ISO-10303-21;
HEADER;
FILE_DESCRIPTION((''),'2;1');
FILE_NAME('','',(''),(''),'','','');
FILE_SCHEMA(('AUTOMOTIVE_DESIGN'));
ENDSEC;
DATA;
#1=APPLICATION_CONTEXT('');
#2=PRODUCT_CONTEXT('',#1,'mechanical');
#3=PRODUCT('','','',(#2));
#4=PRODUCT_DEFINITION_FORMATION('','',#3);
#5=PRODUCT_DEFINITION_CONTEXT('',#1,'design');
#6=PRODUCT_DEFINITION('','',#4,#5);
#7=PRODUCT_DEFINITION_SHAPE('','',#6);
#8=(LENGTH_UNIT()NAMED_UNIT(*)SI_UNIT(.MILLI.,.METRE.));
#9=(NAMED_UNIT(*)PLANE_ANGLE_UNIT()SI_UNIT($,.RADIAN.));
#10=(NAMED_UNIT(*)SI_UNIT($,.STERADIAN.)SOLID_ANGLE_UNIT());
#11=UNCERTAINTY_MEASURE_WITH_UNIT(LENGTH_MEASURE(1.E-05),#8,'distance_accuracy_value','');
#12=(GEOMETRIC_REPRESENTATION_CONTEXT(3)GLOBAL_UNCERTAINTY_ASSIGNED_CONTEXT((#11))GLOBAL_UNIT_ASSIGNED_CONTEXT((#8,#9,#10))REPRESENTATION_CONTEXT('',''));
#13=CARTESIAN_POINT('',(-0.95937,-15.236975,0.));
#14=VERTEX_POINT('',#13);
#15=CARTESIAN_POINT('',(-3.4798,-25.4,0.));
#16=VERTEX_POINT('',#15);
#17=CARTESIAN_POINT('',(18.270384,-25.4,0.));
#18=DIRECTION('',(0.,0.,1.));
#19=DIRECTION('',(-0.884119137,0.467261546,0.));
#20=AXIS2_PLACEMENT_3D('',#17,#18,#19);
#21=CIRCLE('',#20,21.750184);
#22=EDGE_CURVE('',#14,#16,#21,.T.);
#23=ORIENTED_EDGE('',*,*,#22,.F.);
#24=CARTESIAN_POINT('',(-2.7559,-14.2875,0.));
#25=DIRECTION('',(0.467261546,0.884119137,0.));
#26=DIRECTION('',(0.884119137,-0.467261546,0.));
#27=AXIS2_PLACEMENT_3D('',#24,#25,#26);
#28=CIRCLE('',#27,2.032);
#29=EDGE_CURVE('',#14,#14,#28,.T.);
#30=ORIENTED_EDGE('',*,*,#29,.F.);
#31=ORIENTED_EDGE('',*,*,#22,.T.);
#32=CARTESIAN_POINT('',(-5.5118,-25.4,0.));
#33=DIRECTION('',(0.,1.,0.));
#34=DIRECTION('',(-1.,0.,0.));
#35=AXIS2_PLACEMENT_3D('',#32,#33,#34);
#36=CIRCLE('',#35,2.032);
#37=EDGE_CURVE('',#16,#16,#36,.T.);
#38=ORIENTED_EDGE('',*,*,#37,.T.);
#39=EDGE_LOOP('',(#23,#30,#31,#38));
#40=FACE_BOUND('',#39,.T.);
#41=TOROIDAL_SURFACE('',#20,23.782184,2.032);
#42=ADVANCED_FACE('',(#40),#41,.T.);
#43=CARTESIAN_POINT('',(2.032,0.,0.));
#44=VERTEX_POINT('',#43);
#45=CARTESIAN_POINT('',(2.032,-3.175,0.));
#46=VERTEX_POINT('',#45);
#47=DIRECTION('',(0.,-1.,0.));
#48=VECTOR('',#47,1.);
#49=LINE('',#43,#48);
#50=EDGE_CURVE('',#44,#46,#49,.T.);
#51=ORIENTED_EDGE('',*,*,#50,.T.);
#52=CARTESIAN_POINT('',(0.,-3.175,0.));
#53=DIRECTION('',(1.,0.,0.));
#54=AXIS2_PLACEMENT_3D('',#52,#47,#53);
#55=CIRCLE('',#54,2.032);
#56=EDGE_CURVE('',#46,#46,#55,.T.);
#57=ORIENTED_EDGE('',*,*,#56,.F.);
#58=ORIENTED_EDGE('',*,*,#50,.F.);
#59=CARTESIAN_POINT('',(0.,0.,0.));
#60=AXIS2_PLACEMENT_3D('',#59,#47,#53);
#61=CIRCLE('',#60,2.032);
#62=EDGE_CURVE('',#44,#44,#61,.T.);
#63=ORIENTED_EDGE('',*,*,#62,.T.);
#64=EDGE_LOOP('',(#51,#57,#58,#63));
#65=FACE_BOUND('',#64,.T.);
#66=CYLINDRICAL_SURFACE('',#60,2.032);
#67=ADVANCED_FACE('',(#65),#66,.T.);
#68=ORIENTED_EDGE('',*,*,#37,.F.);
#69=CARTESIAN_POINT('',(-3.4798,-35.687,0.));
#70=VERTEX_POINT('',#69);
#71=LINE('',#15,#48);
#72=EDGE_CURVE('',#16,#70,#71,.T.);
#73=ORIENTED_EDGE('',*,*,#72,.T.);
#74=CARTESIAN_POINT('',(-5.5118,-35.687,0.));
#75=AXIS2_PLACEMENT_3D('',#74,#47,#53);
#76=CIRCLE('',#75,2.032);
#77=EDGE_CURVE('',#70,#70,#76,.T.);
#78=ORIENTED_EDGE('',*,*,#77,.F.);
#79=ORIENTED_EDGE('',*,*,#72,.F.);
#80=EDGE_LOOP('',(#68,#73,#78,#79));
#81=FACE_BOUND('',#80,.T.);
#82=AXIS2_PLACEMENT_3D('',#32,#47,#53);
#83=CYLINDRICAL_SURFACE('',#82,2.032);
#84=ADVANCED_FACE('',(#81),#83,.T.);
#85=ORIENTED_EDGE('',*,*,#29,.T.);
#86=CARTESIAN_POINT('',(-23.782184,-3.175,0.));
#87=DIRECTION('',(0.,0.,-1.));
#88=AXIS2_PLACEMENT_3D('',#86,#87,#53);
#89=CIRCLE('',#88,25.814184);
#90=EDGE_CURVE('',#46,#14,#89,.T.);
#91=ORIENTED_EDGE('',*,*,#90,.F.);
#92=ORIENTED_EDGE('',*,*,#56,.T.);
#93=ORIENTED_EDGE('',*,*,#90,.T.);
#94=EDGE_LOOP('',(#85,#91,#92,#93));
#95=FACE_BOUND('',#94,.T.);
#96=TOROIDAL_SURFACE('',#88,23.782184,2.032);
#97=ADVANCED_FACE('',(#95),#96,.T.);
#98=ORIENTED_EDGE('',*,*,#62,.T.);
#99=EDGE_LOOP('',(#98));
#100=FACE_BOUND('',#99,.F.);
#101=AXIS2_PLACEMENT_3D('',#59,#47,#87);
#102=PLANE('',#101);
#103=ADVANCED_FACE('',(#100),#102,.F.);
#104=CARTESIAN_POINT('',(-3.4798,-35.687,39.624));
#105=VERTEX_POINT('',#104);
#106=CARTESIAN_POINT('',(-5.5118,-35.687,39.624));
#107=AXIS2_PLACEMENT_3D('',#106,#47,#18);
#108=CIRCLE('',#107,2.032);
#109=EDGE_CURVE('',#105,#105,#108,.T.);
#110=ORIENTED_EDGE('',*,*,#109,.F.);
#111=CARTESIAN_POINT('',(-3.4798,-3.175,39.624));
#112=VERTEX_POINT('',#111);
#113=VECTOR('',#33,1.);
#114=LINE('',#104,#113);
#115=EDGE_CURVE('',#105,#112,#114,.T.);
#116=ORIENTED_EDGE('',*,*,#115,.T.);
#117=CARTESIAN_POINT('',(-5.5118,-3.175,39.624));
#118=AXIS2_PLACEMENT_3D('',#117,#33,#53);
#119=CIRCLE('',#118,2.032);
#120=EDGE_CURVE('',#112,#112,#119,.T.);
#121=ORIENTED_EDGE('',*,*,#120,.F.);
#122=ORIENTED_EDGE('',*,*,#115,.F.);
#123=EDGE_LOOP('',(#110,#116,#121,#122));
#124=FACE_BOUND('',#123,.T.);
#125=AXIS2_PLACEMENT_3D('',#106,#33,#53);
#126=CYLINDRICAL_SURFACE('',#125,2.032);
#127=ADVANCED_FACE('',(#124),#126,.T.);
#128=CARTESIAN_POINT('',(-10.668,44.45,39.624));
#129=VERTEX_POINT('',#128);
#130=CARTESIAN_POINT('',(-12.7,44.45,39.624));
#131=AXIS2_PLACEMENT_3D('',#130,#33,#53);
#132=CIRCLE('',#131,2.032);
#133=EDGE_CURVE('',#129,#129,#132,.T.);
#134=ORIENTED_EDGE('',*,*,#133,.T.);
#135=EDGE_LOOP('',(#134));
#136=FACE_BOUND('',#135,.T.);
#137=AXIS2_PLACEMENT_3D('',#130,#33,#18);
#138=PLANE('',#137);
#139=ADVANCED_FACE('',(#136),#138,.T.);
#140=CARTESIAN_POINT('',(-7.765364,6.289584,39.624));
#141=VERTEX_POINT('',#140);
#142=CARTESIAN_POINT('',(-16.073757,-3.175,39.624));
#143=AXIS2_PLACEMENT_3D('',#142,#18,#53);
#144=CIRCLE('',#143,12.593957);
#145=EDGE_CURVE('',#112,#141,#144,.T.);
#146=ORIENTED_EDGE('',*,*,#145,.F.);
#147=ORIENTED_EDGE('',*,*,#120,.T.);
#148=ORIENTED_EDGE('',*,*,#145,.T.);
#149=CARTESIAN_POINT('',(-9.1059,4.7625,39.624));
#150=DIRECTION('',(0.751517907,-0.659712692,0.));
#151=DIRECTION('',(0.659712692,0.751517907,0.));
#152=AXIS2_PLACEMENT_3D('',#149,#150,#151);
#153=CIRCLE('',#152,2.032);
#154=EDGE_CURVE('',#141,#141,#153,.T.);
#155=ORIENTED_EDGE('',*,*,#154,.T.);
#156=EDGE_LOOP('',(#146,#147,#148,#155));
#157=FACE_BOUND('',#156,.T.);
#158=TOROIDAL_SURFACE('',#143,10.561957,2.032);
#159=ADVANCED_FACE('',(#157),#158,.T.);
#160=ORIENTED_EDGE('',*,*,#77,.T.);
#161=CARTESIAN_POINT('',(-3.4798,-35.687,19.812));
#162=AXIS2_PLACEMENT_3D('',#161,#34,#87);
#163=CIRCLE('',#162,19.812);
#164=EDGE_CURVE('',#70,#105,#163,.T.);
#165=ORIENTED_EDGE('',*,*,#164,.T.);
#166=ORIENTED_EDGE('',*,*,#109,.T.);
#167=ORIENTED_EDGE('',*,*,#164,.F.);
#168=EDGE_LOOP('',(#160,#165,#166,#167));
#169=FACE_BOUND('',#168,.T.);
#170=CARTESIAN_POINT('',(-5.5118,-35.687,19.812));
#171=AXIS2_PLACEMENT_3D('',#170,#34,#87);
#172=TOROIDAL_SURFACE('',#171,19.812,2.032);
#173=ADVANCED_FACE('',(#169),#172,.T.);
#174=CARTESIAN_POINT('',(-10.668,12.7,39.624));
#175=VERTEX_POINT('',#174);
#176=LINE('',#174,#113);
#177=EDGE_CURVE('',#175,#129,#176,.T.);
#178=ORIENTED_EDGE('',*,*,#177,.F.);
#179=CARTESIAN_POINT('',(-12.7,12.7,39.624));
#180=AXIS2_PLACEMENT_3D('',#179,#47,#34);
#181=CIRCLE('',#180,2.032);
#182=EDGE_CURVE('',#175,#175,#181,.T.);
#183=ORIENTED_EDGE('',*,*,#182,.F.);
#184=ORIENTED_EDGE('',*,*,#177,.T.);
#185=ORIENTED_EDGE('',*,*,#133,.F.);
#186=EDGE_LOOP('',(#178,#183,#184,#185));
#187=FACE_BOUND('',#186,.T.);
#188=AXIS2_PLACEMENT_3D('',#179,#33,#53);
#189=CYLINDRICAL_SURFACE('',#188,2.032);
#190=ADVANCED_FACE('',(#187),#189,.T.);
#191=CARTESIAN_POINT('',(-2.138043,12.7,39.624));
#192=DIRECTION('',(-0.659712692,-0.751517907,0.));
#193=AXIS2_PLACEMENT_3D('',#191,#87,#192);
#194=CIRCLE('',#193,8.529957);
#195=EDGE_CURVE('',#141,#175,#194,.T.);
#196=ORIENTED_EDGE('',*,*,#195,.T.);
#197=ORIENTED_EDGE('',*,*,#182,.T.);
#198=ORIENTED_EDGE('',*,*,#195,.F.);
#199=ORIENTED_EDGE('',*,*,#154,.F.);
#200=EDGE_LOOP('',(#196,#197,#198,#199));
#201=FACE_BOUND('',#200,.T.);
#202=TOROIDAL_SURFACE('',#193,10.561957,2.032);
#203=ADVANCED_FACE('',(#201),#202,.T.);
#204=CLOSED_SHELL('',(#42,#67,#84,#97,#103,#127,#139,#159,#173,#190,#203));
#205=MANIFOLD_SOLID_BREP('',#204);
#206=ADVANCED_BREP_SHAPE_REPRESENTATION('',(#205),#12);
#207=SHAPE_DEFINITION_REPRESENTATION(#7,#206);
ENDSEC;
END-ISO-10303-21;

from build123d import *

# Parameters (mm, degrees)
F3_R = 2.032


with BuildPart() as f6:
    # F6: sweep along a path in F0, F2, F5
    with BuildLine(Plane.XY) as f6_path:
        Line((0, 0), (0, -3.175))
        ThreePointArc((0, -3.175), (-0.6992549102, -8.8995663823), (-2.7559, -14.2875))
        ThreePointArc((-2.7559, -14.2875), (-4.8125450898, -19.6754336177), (-5.5118, -25.4))
        Line((-5.5118, -25.4), (-5.5118, -31.75))
    with BuildLine(Plane.YZ.offset(-5.5118)) as f6_path_2:
        Line((-31.75, 0), (-35.687, 0))
        ThreePointArc((-35.687, 0), (-55.499, 19.812), (-35.687, 39.624))
        Line((-35.687, 39.624), (-6.35, 39.624))
    with BuildLine(Plane.XY.offset(39.624)) as f6_path_3:
        Line((-5.5118, -6.35), (-5.5118, -3.175))
        ThreePointArc((-5.5118, -3.175), (-6.4521889956, 1.1816461028), (-9.1059, 4.7625))
        ThreePointArc((-9.1059, 4.7625), (-11.7596110044, 8.3433538972), (-12.7, 12.7))
        Line((-12.7, 12.7), (-12.7, 44.45))
    # F3 (on Front) → F6 (sweep)
    with BuildSketch(Plane.XZ):
        Circle(F3_R)
    sweep(path=f6_path.line + f6_path_2.line + f6_path_3.line)


solid = f6.part
